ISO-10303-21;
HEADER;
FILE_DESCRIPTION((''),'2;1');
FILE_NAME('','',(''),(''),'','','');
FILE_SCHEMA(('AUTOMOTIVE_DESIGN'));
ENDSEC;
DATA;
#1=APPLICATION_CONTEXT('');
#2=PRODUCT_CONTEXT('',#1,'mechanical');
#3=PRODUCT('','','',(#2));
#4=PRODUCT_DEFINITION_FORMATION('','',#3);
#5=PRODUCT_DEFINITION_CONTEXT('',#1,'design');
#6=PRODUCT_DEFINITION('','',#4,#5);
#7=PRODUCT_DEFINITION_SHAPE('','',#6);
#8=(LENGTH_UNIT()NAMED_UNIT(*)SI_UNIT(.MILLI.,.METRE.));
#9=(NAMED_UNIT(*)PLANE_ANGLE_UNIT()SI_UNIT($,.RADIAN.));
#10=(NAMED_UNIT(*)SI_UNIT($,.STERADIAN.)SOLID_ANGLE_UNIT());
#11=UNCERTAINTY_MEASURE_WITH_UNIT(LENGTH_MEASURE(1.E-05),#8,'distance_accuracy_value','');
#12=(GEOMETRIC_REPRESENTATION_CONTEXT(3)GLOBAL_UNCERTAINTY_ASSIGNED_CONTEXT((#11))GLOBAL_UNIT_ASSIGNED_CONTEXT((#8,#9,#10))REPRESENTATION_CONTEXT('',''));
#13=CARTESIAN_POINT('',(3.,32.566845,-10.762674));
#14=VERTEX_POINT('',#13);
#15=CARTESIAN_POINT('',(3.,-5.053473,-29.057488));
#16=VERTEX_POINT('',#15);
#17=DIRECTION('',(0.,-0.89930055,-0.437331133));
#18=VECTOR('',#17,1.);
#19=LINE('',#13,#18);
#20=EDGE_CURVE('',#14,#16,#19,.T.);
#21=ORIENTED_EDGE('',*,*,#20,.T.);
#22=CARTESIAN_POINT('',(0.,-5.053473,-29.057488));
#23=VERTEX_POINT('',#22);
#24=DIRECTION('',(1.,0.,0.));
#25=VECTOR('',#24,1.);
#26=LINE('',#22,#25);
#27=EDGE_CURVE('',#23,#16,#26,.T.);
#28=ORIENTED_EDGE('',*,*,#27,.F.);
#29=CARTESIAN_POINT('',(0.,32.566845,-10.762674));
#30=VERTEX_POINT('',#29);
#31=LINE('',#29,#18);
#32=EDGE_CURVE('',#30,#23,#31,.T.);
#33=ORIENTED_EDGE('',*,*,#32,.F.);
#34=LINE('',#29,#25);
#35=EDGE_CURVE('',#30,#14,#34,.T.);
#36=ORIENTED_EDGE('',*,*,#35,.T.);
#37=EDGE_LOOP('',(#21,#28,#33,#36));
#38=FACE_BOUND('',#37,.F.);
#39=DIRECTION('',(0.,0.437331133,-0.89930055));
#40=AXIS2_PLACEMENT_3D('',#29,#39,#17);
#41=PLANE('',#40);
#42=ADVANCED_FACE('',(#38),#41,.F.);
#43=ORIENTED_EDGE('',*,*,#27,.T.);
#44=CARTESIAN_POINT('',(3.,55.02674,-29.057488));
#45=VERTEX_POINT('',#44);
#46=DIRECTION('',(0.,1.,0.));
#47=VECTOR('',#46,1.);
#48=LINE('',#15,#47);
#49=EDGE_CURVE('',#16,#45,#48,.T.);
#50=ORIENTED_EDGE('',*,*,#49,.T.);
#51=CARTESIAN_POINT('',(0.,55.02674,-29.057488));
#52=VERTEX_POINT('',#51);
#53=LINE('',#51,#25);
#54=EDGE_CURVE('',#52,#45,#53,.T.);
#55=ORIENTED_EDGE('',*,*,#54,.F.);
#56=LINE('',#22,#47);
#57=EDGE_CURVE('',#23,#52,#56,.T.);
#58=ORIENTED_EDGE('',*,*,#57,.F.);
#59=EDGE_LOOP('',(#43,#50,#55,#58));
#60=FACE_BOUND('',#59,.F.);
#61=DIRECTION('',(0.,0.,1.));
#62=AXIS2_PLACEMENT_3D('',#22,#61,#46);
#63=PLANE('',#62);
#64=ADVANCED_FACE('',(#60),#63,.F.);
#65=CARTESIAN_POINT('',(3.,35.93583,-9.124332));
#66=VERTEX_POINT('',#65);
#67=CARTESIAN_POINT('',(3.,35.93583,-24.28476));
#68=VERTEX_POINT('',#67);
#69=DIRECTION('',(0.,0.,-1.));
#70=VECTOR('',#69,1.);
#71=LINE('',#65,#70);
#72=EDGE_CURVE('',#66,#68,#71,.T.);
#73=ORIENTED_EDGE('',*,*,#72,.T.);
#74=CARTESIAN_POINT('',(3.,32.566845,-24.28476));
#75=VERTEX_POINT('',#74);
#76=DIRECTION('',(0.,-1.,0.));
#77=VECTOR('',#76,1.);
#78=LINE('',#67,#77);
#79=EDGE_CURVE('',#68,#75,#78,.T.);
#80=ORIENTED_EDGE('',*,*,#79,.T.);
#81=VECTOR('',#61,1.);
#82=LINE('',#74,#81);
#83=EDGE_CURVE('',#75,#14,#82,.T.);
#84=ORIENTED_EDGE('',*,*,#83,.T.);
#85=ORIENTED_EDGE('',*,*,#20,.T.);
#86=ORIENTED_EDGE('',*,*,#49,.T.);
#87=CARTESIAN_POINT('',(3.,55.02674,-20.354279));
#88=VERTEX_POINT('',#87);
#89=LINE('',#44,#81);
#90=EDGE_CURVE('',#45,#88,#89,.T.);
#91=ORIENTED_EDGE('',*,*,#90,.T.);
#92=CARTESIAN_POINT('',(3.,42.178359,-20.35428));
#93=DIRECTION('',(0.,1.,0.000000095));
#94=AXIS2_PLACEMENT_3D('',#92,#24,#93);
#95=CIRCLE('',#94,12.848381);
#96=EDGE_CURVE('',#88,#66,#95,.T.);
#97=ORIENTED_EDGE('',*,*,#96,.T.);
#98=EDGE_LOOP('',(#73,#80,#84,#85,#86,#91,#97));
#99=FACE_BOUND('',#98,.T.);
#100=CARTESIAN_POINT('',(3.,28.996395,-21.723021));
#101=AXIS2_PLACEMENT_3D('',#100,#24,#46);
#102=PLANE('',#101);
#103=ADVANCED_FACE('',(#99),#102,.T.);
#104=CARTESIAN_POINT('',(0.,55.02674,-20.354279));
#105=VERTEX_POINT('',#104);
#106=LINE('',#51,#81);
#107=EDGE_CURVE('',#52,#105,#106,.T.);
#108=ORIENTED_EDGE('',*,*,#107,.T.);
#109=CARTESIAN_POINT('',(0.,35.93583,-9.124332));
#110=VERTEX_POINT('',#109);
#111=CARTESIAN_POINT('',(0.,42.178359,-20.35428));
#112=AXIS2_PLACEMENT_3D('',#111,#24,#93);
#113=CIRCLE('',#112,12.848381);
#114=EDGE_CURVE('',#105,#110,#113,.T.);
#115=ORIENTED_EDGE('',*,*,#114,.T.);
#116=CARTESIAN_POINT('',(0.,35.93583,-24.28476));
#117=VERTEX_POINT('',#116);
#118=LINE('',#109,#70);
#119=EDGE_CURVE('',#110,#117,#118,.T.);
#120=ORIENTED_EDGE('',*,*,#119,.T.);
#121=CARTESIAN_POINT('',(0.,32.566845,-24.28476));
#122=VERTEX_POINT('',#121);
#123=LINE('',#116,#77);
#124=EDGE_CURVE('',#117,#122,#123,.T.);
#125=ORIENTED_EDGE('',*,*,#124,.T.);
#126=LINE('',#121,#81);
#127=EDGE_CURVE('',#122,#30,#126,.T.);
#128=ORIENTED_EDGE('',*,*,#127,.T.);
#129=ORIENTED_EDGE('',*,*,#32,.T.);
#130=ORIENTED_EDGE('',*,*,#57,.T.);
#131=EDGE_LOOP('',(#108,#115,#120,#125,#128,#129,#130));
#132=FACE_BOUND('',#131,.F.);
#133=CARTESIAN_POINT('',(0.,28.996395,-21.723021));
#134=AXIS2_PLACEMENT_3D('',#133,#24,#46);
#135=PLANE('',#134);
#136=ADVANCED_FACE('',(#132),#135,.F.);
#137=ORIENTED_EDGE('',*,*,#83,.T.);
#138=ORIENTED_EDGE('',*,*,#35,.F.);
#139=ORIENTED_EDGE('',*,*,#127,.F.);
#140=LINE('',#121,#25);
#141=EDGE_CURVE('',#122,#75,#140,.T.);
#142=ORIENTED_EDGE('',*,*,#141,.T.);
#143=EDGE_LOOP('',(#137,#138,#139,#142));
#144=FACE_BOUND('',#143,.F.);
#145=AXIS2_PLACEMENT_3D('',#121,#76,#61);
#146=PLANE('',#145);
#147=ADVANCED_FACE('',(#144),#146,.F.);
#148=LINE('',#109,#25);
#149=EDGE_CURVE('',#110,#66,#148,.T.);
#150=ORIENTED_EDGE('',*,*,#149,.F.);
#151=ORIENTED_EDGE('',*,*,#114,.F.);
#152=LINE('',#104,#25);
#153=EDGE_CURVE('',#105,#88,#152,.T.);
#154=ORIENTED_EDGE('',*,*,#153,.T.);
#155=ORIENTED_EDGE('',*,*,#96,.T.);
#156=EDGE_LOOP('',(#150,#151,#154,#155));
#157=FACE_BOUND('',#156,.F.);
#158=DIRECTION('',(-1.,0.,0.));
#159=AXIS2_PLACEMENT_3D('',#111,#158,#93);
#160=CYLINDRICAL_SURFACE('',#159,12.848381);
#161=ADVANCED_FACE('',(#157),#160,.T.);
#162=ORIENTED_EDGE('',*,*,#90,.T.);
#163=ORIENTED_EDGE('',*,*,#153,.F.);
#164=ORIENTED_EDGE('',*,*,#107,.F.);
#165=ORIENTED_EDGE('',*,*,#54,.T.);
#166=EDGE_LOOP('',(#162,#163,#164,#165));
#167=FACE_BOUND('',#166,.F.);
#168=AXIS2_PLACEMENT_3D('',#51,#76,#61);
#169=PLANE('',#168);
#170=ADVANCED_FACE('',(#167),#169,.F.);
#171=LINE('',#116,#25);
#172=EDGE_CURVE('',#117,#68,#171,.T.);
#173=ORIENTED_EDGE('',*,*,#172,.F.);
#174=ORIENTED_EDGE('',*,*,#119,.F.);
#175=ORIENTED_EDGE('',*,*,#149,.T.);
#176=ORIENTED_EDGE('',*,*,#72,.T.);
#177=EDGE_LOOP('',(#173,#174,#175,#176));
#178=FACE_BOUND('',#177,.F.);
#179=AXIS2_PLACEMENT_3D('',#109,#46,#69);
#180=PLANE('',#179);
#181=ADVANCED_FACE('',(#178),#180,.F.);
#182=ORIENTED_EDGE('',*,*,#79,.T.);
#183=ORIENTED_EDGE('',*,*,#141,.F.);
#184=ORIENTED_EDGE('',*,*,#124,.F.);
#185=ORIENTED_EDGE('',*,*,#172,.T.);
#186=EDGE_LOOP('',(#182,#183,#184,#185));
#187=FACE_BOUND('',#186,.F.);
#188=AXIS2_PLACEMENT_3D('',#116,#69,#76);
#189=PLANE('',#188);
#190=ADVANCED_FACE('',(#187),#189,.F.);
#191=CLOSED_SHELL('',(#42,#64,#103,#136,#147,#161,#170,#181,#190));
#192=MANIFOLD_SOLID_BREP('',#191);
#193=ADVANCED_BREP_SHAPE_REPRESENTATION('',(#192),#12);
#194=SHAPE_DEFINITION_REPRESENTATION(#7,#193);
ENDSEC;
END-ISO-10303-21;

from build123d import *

# Parameters (mm, degrees)
F1_DEPTH = 3


with BuildPart() as f1:
    # F0 (on Right) → F1 (new body)
    with BuildSketch(Plane.YZ):
        with BuildLine():
            Line((-5.053473, -29.057488), (55.02674, -29.057488))
            Line((55.02674, -29.057488), (55.02674, -20.354279))
            ThreePointArc((55.02674, -20.354279), (48.692747, -9.279821), (35.93583, -9.124332))
            Line((35.93583, -9.124332), (35.93583, -24.28476))
            Line((35.93583, -24.28476), (32.566845, -24.28476))
            Line((32.566845, -24.28476), (32.566845, -10.762674))
            Line((32.566845, -10.762674), (-5.053473, -29.057488))
        make_face()
    extrude(amount=F1_DEPTH)


solid = f1.part
